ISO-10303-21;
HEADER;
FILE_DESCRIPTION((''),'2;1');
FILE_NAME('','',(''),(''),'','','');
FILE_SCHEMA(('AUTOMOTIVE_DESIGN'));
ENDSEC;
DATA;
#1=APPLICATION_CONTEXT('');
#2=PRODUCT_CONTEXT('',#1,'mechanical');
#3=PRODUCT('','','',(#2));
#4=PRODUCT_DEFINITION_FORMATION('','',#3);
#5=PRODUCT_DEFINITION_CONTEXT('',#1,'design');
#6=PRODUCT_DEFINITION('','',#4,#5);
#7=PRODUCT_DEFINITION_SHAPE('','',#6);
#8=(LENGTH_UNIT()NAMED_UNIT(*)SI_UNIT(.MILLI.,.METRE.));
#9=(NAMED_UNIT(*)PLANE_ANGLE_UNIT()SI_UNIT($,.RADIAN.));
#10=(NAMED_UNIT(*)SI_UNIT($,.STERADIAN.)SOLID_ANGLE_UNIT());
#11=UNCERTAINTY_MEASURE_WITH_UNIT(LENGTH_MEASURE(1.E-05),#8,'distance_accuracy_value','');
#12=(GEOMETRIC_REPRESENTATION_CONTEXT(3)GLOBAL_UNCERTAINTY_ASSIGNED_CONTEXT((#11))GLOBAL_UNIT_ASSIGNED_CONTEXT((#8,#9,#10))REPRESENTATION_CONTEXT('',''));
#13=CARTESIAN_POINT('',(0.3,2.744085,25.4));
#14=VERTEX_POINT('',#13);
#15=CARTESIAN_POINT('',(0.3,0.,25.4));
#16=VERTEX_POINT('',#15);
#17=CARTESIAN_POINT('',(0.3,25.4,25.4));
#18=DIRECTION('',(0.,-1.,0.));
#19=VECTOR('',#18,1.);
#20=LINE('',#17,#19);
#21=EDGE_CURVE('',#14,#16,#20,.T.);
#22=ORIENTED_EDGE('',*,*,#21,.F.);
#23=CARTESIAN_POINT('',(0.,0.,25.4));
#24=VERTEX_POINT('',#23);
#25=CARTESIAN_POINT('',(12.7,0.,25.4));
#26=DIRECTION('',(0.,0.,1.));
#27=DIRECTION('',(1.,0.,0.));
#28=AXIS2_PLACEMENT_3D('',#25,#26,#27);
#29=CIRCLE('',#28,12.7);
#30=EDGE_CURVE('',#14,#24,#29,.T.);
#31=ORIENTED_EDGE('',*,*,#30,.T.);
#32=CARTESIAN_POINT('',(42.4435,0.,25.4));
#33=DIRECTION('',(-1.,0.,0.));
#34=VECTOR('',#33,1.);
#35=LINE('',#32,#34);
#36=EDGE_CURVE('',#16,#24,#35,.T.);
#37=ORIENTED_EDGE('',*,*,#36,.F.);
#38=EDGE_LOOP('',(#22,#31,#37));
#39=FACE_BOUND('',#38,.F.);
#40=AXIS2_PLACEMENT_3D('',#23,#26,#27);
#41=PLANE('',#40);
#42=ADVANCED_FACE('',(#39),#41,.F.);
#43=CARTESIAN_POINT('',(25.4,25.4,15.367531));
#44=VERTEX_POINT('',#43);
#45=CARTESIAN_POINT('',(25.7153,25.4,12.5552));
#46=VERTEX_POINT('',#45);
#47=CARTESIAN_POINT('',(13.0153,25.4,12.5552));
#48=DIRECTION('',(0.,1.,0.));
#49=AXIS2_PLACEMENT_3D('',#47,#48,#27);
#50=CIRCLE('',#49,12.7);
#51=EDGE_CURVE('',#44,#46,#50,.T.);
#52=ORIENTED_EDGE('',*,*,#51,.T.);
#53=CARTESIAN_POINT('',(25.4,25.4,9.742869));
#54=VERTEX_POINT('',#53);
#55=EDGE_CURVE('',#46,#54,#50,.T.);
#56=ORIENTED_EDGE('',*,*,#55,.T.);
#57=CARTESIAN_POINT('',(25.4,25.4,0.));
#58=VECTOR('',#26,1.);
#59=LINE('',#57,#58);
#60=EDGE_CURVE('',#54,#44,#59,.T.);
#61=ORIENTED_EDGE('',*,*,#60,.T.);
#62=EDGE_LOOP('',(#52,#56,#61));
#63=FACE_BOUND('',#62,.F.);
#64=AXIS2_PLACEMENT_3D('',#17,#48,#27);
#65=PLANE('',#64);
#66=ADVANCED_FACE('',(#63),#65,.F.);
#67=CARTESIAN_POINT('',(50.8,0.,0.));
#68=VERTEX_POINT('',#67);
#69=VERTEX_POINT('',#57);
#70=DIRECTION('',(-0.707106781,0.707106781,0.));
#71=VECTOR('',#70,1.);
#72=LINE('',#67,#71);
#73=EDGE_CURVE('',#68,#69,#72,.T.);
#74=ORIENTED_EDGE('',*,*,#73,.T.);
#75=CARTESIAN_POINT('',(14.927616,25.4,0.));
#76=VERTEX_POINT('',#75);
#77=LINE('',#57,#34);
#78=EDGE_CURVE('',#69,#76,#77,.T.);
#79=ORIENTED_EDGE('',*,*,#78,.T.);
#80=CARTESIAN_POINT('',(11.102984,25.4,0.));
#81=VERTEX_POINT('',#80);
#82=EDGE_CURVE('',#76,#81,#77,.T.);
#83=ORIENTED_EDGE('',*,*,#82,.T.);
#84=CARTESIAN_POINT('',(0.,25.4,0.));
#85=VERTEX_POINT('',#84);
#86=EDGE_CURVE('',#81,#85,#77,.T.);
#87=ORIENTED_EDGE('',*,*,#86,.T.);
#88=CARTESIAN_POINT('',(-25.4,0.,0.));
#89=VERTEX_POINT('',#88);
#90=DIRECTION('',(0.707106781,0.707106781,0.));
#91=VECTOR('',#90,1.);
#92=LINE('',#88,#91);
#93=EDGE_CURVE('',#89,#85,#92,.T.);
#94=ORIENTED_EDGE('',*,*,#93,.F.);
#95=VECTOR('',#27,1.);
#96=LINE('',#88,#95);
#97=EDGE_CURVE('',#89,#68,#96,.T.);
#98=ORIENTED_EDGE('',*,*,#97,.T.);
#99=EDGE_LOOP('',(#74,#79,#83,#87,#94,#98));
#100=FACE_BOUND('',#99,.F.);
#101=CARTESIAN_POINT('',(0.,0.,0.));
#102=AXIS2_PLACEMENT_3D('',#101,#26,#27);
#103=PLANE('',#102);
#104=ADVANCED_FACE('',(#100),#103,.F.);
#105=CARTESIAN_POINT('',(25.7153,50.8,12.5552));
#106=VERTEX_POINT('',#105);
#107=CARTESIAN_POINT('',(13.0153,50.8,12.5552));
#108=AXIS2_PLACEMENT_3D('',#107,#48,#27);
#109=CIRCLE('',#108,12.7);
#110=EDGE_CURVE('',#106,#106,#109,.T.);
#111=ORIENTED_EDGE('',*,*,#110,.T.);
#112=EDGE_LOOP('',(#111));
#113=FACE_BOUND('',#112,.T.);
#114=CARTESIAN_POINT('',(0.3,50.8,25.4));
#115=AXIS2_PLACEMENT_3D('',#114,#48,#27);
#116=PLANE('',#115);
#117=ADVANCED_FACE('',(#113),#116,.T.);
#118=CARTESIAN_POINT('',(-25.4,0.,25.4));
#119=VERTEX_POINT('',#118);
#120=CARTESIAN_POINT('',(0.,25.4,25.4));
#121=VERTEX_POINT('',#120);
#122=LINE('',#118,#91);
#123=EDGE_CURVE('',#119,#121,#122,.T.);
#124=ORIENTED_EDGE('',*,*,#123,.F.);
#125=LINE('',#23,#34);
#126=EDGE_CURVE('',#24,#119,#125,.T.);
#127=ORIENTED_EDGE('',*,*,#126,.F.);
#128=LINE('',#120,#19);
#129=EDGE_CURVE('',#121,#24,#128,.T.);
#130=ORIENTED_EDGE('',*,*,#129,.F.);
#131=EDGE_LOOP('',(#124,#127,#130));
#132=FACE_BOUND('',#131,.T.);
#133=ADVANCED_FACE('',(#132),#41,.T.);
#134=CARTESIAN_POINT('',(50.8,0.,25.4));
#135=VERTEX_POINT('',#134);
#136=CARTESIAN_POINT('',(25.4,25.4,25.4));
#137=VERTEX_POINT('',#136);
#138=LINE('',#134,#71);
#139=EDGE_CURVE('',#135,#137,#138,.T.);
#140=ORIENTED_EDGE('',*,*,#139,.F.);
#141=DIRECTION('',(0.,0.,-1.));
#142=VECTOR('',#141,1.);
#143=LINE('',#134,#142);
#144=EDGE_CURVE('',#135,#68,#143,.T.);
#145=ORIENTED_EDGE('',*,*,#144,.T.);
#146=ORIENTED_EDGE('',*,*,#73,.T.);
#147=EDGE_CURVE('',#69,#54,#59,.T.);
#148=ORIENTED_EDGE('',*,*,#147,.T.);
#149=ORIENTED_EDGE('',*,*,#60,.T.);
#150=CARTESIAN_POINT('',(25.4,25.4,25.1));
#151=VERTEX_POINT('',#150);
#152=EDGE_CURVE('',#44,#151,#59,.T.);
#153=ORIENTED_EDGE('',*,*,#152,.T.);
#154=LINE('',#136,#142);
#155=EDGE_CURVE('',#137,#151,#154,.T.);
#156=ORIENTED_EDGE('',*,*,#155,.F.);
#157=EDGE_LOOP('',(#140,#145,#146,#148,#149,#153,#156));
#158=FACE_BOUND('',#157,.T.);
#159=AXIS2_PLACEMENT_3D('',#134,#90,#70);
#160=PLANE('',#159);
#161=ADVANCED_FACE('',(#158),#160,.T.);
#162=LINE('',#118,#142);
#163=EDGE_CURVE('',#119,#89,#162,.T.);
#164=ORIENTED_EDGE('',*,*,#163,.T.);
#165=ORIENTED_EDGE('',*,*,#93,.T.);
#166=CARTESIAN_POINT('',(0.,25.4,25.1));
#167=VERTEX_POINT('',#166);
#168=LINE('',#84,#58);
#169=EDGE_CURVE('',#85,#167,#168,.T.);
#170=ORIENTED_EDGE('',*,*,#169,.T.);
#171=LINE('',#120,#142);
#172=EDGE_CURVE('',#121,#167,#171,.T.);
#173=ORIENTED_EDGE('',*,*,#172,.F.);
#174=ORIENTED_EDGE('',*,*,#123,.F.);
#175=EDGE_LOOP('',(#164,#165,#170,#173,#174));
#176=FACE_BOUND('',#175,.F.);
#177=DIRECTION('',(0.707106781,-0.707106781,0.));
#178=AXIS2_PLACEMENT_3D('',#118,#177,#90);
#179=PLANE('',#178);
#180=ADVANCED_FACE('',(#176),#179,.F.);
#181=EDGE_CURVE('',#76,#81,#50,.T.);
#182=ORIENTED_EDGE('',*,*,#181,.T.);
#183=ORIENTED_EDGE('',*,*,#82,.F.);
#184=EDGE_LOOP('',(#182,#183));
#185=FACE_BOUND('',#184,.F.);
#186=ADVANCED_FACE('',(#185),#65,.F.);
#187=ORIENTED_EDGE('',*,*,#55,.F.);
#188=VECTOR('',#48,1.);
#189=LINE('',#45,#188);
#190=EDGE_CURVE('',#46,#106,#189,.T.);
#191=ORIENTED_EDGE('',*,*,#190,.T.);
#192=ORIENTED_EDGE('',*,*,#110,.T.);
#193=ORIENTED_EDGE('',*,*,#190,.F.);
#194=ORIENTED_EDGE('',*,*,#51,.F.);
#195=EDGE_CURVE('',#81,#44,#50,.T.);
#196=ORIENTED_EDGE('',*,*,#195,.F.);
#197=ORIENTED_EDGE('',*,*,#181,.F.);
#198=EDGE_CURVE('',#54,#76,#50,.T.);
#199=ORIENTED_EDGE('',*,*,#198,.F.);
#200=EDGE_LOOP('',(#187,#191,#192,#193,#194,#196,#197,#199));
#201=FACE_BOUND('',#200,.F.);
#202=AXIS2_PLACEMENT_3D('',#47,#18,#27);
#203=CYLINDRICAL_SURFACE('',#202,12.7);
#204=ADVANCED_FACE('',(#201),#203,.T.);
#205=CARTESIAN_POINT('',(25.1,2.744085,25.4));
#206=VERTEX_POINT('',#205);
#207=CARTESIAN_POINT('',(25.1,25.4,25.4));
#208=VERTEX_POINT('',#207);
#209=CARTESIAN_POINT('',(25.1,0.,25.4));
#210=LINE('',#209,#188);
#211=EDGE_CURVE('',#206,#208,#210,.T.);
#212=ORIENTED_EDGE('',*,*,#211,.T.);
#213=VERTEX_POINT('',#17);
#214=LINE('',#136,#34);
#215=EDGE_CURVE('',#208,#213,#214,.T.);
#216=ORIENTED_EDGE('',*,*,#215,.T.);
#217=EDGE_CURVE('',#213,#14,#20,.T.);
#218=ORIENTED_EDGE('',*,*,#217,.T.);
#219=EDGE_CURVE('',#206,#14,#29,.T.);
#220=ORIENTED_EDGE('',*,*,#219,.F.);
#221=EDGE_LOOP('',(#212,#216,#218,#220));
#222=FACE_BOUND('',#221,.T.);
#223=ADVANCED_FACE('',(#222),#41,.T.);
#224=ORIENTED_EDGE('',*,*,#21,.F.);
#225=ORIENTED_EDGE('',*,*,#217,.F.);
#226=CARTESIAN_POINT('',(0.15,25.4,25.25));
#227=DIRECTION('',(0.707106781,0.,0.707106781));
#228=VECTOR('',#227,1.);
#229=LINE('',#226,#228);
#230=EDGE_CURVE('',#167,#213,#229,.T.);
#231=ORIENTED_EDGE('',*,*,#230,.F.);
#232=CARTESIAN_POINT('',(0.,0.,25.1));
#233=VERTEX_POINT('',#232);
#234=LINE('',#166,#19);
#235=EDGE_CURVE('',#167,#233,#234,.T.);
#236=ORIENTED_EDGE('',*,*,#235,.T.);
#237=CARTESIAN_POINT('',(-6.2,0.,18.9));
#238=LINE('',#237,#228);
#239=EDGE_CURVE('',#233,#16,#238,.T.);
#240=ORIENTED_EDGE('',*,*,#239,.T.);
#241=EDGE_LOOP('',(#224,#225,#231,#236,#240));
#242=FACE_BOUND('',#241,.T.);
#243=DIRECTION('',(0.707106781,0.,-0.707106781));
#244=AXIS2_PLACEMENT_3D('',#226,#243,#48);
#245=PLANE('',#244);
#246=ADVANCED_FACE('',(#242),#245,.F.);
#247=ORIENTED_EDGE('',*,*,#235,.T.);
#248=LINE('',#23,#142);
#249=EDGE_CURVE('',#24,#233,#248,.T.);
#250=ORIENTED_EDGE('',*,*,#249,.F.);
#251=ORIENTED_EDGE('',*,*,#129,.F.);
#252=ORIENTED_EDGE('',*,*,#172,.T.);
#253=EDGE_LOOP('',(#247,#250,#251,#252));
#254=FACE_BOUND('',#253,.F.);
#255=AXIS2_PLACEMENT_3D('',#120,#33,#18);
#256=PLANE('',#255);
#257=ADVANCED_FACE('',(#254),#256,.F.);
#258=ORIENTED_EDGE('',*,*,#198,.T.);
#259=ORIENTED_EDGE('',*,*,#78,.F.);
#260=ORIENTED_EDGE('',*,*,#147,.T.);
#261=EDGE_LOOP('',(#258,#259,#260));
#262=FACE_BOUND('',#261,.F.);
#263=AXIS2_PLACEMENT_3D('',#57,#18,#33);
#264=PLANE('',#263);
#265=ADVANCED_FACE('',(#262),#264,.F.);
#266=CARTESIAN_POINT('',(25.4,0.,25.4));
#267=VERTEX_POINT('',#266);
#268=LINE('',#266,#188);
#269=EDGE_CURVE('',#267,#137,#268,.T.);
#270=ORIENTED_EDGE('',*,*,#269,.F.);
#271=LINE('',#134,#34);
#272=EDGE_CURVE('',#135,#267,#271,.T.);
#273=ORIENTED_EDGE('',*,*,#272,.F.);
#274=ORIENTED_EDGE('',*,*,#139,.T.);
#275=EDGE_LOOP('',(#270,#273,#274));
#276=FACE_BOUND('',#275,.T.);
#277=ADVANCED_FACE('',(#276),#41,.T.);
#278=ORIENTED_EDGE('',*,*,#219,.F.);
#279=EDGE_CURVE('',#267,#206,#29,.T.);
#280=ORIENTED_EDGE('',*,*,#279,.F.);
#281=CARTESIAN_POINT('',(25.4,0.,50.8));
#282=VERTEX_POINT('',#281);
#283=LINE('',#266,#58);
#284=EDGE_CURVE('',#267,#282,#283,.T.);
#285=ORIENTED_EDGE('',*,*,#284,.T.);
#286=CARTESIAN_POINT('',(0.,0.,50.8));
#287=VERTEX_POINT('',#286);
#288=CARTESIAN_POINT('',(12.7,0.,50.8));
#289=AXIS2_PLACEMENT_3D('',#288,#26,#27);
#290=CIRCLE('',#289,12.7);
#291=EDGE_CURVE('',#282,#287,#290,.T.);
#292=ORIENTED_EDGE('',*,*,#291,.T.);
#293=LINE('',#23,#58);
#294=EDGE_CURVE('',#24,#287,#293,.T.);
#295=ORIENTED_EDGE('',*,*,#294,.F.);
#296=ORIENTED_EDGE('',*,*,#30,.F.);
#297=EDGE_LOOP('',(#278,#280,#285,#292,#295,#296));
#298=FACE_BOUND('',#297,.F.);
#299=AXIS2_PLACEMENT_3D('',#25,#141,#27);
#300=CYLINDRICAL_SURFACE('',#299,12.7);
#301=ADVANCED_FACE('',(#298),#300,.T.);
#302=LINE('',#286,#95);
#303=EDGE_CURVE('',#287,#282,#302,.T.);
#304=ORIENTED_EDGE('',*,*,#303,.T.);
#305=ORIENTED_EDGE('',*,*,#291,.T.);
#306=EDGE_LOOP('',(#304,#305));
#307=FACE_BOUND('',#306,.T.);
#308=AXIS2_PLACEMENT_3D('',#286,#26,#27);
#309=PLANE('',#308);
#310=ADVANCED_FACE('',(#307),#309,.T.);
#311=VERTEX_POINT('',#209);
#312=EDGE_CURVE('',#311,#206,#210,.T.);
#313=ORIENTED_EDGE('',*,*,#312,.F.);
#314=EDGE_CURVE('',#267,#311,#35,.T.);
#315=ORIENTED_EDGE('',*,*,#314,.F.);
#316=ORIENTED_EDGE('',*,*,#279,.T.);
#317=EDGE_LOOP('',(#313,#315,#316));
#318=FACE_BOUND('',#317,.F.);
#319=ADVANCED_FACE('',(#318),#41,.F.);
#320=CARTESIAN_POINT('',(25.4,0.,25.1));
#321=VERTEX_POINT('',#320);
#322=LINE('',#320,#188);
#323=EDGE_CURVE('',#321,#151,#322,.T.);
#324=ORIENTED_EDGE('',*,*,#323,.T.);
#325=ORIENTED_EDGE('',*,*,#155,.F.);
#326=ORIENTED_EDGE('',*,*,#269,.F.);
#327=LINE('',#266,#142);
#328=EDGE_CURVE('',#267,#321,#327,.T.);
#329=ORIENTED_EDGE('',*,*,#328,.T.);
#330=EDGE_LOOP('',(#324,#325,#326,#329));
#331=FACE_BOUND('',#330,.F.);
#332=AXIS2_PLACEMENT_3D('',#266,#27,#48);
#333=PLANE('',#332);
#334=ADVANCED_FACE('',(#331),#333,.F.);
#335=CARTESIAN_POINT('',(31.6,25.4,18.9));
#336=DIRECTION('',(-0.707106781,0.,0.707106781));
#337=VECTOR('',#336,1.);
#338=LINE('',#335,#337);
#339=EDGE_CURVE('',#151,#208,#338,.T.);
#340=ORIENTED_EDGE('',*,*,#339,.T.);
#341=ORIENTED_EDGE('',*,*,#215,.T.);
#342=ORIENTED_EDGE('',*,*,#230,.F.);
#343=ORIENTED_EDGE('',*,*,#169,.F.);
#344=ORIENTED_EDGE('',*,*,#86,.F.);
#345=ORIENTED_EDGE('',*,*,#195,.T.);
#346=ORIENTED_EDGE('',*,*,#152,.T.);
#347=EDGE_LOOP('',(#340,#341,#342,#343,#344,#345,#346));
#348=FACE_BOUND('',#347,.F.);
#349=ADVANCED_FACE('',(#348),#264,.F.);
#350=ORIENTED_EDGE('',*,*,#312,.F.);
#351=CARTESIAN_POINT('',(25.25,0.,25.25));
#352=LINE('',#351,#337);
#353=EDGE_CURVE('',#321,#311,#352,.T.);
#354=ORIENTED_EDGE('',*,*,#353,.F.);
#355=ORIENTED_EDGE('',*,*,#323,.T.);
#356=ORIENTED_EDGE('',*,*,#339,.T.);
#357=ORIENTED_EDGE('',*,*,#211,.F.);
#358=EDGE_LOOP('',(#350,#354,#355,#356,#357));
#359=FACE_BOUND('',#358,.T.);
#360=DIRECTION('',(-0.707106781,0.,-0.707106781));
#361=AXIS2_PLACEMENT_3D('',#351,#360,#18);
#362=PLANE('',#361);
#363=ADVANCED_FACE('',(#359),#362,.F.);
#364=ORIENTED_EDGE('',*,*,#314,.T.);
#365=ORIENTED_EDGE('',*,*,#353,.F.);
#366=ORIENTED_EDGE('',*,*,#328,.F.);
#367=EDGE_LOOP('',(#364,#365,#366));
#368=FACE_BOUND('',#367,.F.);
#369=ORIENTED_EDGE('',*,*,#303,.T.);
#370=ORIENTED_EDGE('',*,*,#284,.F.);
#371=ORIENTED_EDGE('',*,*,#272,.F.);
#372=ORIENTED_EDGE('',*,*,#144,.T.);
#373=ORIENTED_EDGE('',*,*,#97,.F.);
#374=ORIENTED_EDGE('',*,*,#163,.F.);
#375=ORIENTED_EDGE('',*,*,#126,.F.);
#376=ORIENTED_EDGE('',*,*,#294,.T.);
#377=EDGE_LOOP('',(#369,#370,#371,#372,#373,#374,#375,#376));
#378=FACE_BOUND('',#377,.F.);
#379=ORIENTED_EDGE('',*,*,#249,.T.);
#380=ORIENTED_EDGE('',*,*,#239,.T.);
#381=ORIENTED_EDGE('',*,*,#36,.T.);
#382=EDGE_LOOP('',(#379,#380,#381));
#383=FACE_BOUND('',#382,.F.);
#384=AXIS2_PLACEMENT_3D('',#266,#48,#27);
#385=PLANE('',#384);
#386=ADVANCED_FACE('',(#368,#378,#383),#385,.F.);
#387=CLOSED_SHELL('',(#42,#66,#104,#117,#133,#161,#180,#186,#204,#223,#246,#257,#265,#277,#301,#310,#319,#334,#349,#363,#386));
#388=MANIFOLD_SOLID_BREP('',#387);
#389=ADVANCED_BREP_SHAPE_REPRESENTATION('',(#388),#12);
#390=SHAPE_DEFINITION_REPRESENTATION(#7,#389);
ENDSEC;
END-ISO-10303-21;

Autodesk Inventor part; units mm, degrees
ref_plane "YZ Plane" through (0, 0, 0) normal (1, 0, 0) x (0, 1, 0)
ref_plane "XZ Plane" through (0, 0, 0) normal (0, 1, 0) x (-1, 0, 0)
sketch "Sketch1" plane through (0, 0, 0) normal (0, 0, 1) x (1, 0, 0)
  line L0 (0, 0) -> (25.4, 0)
  line L1 (25.4, 0) -> (25.4, 25.4)
  line L2 (25.4, 25.4) -> (0, 25.4)
  line L3 (0, 25.4) -> (0, 0)
  line L4 (25.4, 0) -> (50.8, 0)
  line L5 (50.8, 0) -> (25.4, 25.4)
  line L6 (0, 0) -> (-25.4, 0)
  line L7 (-25.4, 0) -> (0, 25.4)
  dimension "d0" = 25.4
  dimension "d1" = 25.4
  dimension "d2" = 25.4
  dimension "d3" = 25.4
extrude "Extrusion1" add sketch "Sketch1" along normal blind 25.4 contours L3 L2 L1 L0
chamfer "Chamfer1" distance 0.3 angle 45 2 edges at (25.4, 12.7, 25.4) (0, 12.7, 25.4)
sketch "Sketch2" plane through (0, 0, 25.4) normal (0, 0, 1) x (1, 0, 0)
  line L0 (0, 0) -> (-25.4, 0)
  line L1 (0, 25.4) -> (0, 0) projected
  line L2 (-25.4, 0) -> (0, 25.4)
  line L3 (25.4, 0) -> (50.8, 0)
  line L4 (50.8, 0) -> (25.4, 25.4)
  dimension "d9" = 25.4
  dimension "d10" = 25.4
extrude "Extrusion2" add sketch "Sketch2" against normal blind 25.4
sketch "Sketch3" plane through (0, 0, 25.4) normal (0, 0, 1) x (1, 0, 0)
  line L0 (-25.4, 0) -> (25.4, 0) projected
  line L1 (25.4, 0) -> (50.8, 0)
  line L2 (25.4, 0) -> (25.4, 25.4) projected
  line L3 (50.8, 0) -> (25.4, 25.4)
  point P0 (0, 0)
  dimension "d13" = 25.4
extrude "Extrusion3" add sketch "Sketch3" against normal blind 25.4
sketch "Sketch4" plane through (0, 0, 25.4) normal (0, 0, 1) x (1, 0, 0)
  line L0 (0.3, 0) -> (25.1, 0) projected
  circle A0 centre (12.7, 0) radius 12.7
  point P0 (0, 0)
  dimension "d16" = 25.4
extrude "Extrusion4" add sketch "Sketch4" along normal blind 25.4
ref_plane "Work Plane1" through (0, 0, 25.4) normal (0, 0, 1) x (1, 0, 0)
sketch "Sketch5" plane through (0, 0, 25.4) normal (0, 0, 1) x (1, 0, 0)
  line L0 (0, 0) -> (-25.4, 0) projected
  line L1 (0, 0) -> (42.4435, 0)
  line L2 (42.4435, 0) -> (42.4435, -16.3705)
  line L3 (42.4435, -16.3705) -> (0, -16.3705)
  line L4 (0, -16.3705) -> (0, 0)
  circle A0 centre (12.7, 0) radius 12.7 projected
extrude "Extrusion5" cut sketch "Sketch5" along normal blind 25.4 contours A0 L1 L2 L3 L4 | L1 A0 picked at (10.2952, -3.484)
sketch "Sketch6" plane through (0.3, 25.4, 25.4) normal (0, 1, 0) x (1, 0, 0)
  point P0 (-0.3, 25.4)
sketch "Sketch7" plane through (0.3, 25.4, 25.4) normal (0, 1, 0) x (1, 0, 0)
  point P0 (-0.3, 25.4)
sketch "Sketch8" plane through (0.3, 25.4, 25.4) normal (0, 1, 0) x (1, 0, 0)
  circle A0 centre (12.7153, 12.8448) radius 12.7
  point P0 (-0.3, 25.4)
  dimension "d22" = 25.4
extrude "Extrusion6" add sketch "Sketch8" along normal blind 25.4
properties part number "orthographic1"
